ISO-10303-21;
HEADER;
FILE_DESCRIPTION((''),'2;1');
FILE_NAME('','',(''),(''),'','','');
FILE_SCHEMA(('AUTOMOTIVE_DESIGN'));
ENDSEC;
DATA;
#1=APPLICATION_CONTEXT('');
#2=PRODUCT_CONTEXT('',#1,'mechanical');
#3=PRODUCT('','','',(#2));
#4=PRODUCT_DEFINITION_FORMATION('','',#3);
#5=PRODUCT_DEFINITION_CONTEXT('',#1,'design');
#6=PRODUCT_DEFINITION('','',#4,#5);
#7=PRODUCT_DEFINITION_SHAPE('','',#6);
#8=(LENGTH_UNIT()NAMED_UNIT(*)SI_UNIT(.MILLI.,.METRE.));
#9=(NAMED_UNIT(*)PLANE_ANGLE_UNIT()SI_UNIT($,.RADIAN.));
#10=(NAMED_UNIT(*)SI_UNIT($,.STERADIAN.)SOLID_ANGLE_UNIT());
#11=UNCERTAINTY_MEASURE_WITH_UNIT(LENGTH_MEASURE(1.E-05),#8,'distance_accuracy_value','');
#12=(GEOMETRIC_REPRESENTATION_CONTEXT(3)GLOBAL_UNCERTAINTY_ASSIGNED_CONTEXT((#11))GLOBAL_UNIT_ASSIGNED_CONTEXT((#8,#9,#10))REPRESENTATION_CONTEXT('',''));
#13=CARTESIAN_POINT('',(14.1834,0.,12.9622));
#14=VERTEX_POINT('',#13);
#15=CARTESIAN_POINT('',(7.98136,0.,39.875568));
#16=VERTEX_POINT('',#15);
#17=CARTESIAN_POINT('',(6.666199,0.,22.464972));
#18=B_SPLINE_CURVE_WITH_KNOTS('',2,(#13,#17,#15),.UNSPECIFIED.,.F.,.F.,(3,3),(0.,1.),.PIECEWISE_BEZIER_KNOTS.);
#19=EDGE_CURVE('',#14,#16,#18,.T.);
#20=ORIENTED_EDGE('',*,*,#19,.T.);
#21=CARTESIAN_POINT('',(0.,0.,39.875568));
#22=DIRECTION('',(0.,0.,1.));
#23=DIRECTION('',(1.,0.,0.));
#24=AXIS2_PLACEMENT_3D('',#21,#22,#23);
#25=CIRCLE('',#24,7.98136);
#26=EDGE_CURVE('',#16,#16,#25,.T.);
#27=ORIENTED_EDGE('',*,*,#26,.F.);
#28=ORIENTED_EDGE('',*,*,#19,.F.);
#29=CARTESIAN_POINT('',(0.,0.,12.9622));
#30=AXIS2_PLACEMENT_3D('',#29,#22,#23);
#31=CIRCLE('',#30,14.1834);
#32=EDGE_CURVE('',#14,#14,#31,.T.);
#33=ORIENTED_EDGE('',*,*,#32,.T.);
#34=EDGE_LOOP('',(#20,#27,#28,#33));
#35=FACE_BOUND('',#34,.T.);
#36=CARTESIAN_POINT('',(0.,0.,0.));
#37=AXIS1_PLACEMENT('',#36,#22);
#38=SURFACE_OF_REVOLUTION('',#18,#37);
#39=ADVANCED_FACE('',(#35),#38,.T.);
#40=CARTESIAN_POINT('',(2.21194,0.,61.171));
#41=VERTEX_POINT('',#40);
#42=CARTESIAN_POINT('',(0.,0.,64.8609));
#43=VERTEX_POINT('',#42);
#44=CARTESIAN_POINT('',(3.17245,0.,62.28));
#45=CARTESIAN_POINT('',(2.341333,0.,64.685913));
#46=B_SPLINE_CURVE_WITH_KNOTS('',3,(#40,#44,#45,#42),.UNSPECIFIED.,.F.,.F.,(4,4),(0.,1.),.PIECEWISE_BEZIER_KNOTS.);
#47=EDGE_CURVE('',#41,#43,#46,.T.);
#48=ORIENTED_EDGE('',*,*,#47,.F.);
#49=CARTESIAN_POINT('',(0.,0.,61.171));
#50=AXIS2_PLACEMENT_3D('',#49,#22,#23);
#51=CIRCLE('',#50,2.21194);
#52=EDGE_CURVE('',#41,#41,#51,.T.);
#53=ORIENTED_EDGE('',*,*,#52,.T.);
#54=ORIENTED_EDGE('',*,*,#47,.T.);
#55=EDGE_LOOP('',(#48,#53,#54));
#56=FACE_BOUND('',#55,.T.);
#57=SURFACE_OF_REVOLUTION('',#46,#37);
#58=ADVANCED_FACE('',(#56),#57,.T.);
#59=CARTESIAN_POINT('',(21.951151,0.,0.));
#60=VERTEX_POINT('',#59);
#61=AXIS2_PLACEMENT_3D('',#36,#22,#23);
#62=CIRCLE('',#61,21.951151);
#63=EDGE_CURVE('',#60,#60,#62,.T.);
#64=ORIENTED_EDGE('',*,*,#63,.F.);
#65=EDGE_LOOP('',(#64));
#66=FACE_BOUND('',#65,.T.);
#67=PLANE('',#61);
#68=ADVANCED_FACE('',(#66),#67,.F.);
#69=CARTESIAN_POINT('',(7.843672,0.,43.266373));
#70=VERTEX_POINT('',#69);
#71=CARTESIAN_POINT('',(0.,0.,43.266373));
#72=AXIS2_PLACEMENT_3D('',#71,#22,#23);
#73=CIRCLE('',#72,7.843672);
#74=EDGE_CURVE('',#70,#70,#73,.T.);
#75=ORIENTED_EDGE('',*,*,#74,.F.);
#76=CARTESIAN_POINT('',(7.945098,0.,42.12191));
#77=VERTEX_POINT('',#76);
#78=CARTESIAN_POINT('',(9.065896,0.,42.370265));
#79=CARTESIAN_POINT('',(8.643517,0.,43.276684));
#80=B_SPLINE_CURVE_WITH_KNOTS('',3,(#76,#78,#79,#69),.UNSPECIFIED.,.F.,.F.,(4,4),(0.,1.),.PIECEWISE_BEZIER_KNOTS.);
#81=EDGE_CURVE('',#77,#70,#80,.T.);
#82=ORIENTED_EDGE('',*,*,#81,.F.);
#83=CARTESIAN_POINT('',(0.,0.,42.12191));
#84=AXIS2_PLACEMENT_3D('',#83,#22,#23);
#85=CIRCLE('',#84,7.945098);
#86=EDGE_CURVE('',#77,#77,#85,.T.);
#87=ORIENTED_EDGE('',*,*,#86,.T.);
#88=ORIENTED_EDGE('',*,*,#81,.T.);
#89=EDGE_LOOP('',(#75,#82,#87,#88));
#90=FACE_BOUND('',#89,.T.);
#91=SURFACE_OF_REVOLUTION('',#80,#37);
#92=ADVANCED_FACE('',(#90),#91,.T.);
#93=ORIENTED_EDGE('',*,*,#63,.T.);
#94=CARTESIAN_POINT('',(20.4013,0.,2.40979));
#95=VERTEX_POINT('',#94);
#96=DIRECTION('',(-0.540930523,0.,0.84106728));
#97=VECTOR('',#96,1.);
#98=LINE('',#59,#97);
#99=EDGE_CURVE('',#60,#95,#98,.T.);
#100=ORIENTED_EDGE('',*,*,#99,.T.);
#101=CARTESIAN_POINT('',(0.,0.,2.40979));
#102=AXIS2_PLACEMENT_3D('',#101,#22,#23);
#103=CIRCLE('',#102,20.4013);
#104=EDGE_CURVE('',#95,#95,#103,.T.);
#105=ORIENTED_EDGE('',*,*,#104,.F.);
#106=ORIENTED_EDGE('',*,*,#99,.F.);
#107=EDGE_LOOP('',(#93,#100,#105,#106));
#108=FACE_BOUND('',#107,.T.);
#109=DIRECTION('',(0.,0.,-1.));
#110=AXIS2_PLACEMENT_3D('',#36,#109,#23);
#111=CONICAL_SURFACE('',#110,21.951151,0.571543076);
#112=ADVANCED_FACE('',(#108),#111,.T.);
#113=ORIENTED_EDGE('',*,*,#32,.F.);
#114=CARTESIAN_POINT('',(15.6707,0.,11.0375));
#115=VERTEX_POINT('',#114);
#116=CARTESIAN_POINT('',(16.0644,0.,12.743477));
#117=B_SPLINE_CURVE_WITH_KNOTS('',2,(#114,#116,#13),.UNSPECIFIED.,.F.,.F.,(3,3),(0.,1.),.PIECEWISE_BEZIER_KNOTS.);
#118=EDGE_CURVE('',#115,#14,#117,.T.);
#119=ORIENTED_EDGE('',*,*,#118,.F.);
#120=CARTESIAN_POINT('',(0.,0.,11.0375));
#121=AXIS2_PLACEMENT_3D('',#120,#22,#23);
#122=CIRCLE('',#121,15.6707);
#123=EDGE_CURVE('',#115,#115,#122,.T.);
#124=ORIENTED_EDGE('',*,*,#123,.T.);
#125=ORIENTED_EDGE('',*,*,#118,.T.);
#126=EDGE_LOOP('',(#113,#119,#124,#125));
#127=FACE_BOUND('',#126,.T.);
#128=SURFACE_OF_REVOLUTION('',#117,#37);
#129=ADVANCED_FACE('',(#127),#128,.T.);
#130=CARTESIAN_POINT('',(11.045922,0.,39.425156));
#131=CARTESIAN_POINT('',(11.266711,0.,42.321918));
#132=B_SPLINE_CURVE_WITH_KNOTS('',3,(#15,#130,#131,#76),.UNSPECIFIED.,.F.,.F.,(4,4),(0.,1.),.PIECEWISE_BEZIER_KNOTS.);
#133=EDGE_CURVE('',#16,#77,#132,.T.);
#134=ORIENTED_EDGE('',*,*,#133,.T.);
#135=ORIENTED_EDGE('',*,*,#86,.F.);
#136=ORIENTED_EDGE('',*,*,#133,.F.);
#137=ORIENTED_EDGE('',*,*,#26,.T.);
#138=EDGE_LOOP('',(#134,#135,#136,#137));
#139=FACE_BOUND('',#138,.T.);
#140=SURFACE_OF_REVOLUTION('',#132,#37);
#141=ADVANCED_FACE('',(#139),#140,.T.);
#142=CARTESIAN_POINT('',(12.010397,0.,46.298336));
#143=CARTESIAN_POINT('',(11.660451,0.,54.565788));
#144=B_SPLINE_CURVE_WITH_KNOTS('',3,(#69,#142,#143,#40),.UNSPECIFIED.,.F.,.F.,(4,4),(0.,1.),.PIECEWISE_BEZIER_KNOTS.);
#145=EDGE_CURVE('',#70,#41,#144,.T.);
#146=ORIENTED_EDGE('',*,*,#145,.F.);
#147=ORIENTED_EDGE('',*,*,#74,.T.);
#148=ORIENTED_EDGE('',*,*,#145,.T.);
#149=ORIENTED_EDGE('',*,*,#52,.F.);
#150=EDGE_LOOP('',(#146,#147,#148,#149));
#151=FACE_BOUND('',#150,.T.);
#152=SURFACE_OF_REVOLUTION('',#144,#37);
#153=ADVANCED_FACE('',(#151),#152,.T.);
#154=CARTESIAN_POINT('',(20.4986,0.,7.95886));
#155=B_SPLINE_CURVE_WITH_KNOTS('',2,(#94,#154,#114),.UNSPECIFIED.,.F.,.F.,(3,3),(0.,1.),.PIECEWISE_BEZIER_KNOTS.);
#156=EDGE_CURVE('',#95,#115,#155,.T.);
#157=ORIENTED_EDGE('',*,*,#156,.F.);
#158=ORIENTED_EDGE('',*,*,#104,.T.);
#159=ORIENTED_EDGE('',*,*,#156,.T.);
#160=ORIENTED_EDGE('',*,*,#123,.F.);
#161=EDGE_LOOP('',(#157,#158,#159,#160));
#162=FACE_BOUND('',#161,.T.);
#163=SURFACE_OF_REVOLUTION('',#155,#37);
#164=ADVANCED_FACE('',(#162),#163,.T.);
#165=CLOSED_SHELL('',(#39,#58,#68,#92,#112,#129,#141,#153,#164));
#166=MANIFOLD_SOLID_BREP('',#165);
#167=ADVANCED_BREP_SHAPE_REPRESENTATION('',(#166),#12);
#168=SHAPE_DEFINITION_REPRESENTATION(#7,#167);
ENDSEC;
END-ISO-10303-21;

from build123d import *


with BuildPart() as part:
    # Sketch → Revolve (revolve)
    with BuildSketch(Plane.XZ):
        with BuildLine():
            Line((0, 0), (21.951151, 0))
            Line((21.951151, 0), (20.4013, 2.40979))
            add(Edge.make_bspline(
                [(20.4013, 2.40979), (20.4986, 7.95886), (15.6707, 11.0375)],
                knots=[0, 0, 0, 1, 1, 1], degree=2))
            add(Edge.make_bspline(
                [(15.6707, 11.0375), (16.0644, 12.743477), (14.1834, 12.9622)],
                knots=[0, 0, 0, 1, 1, 1], degree=2))
            add(Edge.make_bspline(
                [(14.1834, 12.9622), (6.666199, 22.464972), (7.98136, 39.875568)],
                knots=[0, 0, 0, 1, 1, 1], degree=2))
            add(Edge.make_bspline(
                [(7.98136, 39.875568), (11.045922, 39.425156), (11.266711, 42.321918), (7.945098, 42.12191)],
                knots=[0, 0, 0, 0, 1, 1, 1, 1], degree=3))
            add(Edge.make_bspline(
                [(7.945098, 42.12191), (9.065896, 42.370265), (8.643517, 43.276684), (7.843672, 43.266373)],
                knots=[0, 0, 0, 0, 1, 1, 1, 1], degree=3))
            add(Edge.make_bspline(
                [(7.843672, 43.266373), (12.010397, 46.298336), (11.660451, 54.565788), (2.21194, 61.171)],
                knots=[0, 0, 0, 0, 1, 1, 1, 1], degree=3))
            add(Edge.make_bspline(
                [(2.21194, 61.171), (3.17245, 62.28), (2.341333, 64.685913), (0, 64.8609)],
                knots=[0, 0, 0, 0, 1, 1, 1, 1], degree=3))
            Line((0, 64.8609), (0, 0))
        make_face()
    revolve(axis=Axis((0, 0, 0), (0, 0, 1)))


solid = part.part
